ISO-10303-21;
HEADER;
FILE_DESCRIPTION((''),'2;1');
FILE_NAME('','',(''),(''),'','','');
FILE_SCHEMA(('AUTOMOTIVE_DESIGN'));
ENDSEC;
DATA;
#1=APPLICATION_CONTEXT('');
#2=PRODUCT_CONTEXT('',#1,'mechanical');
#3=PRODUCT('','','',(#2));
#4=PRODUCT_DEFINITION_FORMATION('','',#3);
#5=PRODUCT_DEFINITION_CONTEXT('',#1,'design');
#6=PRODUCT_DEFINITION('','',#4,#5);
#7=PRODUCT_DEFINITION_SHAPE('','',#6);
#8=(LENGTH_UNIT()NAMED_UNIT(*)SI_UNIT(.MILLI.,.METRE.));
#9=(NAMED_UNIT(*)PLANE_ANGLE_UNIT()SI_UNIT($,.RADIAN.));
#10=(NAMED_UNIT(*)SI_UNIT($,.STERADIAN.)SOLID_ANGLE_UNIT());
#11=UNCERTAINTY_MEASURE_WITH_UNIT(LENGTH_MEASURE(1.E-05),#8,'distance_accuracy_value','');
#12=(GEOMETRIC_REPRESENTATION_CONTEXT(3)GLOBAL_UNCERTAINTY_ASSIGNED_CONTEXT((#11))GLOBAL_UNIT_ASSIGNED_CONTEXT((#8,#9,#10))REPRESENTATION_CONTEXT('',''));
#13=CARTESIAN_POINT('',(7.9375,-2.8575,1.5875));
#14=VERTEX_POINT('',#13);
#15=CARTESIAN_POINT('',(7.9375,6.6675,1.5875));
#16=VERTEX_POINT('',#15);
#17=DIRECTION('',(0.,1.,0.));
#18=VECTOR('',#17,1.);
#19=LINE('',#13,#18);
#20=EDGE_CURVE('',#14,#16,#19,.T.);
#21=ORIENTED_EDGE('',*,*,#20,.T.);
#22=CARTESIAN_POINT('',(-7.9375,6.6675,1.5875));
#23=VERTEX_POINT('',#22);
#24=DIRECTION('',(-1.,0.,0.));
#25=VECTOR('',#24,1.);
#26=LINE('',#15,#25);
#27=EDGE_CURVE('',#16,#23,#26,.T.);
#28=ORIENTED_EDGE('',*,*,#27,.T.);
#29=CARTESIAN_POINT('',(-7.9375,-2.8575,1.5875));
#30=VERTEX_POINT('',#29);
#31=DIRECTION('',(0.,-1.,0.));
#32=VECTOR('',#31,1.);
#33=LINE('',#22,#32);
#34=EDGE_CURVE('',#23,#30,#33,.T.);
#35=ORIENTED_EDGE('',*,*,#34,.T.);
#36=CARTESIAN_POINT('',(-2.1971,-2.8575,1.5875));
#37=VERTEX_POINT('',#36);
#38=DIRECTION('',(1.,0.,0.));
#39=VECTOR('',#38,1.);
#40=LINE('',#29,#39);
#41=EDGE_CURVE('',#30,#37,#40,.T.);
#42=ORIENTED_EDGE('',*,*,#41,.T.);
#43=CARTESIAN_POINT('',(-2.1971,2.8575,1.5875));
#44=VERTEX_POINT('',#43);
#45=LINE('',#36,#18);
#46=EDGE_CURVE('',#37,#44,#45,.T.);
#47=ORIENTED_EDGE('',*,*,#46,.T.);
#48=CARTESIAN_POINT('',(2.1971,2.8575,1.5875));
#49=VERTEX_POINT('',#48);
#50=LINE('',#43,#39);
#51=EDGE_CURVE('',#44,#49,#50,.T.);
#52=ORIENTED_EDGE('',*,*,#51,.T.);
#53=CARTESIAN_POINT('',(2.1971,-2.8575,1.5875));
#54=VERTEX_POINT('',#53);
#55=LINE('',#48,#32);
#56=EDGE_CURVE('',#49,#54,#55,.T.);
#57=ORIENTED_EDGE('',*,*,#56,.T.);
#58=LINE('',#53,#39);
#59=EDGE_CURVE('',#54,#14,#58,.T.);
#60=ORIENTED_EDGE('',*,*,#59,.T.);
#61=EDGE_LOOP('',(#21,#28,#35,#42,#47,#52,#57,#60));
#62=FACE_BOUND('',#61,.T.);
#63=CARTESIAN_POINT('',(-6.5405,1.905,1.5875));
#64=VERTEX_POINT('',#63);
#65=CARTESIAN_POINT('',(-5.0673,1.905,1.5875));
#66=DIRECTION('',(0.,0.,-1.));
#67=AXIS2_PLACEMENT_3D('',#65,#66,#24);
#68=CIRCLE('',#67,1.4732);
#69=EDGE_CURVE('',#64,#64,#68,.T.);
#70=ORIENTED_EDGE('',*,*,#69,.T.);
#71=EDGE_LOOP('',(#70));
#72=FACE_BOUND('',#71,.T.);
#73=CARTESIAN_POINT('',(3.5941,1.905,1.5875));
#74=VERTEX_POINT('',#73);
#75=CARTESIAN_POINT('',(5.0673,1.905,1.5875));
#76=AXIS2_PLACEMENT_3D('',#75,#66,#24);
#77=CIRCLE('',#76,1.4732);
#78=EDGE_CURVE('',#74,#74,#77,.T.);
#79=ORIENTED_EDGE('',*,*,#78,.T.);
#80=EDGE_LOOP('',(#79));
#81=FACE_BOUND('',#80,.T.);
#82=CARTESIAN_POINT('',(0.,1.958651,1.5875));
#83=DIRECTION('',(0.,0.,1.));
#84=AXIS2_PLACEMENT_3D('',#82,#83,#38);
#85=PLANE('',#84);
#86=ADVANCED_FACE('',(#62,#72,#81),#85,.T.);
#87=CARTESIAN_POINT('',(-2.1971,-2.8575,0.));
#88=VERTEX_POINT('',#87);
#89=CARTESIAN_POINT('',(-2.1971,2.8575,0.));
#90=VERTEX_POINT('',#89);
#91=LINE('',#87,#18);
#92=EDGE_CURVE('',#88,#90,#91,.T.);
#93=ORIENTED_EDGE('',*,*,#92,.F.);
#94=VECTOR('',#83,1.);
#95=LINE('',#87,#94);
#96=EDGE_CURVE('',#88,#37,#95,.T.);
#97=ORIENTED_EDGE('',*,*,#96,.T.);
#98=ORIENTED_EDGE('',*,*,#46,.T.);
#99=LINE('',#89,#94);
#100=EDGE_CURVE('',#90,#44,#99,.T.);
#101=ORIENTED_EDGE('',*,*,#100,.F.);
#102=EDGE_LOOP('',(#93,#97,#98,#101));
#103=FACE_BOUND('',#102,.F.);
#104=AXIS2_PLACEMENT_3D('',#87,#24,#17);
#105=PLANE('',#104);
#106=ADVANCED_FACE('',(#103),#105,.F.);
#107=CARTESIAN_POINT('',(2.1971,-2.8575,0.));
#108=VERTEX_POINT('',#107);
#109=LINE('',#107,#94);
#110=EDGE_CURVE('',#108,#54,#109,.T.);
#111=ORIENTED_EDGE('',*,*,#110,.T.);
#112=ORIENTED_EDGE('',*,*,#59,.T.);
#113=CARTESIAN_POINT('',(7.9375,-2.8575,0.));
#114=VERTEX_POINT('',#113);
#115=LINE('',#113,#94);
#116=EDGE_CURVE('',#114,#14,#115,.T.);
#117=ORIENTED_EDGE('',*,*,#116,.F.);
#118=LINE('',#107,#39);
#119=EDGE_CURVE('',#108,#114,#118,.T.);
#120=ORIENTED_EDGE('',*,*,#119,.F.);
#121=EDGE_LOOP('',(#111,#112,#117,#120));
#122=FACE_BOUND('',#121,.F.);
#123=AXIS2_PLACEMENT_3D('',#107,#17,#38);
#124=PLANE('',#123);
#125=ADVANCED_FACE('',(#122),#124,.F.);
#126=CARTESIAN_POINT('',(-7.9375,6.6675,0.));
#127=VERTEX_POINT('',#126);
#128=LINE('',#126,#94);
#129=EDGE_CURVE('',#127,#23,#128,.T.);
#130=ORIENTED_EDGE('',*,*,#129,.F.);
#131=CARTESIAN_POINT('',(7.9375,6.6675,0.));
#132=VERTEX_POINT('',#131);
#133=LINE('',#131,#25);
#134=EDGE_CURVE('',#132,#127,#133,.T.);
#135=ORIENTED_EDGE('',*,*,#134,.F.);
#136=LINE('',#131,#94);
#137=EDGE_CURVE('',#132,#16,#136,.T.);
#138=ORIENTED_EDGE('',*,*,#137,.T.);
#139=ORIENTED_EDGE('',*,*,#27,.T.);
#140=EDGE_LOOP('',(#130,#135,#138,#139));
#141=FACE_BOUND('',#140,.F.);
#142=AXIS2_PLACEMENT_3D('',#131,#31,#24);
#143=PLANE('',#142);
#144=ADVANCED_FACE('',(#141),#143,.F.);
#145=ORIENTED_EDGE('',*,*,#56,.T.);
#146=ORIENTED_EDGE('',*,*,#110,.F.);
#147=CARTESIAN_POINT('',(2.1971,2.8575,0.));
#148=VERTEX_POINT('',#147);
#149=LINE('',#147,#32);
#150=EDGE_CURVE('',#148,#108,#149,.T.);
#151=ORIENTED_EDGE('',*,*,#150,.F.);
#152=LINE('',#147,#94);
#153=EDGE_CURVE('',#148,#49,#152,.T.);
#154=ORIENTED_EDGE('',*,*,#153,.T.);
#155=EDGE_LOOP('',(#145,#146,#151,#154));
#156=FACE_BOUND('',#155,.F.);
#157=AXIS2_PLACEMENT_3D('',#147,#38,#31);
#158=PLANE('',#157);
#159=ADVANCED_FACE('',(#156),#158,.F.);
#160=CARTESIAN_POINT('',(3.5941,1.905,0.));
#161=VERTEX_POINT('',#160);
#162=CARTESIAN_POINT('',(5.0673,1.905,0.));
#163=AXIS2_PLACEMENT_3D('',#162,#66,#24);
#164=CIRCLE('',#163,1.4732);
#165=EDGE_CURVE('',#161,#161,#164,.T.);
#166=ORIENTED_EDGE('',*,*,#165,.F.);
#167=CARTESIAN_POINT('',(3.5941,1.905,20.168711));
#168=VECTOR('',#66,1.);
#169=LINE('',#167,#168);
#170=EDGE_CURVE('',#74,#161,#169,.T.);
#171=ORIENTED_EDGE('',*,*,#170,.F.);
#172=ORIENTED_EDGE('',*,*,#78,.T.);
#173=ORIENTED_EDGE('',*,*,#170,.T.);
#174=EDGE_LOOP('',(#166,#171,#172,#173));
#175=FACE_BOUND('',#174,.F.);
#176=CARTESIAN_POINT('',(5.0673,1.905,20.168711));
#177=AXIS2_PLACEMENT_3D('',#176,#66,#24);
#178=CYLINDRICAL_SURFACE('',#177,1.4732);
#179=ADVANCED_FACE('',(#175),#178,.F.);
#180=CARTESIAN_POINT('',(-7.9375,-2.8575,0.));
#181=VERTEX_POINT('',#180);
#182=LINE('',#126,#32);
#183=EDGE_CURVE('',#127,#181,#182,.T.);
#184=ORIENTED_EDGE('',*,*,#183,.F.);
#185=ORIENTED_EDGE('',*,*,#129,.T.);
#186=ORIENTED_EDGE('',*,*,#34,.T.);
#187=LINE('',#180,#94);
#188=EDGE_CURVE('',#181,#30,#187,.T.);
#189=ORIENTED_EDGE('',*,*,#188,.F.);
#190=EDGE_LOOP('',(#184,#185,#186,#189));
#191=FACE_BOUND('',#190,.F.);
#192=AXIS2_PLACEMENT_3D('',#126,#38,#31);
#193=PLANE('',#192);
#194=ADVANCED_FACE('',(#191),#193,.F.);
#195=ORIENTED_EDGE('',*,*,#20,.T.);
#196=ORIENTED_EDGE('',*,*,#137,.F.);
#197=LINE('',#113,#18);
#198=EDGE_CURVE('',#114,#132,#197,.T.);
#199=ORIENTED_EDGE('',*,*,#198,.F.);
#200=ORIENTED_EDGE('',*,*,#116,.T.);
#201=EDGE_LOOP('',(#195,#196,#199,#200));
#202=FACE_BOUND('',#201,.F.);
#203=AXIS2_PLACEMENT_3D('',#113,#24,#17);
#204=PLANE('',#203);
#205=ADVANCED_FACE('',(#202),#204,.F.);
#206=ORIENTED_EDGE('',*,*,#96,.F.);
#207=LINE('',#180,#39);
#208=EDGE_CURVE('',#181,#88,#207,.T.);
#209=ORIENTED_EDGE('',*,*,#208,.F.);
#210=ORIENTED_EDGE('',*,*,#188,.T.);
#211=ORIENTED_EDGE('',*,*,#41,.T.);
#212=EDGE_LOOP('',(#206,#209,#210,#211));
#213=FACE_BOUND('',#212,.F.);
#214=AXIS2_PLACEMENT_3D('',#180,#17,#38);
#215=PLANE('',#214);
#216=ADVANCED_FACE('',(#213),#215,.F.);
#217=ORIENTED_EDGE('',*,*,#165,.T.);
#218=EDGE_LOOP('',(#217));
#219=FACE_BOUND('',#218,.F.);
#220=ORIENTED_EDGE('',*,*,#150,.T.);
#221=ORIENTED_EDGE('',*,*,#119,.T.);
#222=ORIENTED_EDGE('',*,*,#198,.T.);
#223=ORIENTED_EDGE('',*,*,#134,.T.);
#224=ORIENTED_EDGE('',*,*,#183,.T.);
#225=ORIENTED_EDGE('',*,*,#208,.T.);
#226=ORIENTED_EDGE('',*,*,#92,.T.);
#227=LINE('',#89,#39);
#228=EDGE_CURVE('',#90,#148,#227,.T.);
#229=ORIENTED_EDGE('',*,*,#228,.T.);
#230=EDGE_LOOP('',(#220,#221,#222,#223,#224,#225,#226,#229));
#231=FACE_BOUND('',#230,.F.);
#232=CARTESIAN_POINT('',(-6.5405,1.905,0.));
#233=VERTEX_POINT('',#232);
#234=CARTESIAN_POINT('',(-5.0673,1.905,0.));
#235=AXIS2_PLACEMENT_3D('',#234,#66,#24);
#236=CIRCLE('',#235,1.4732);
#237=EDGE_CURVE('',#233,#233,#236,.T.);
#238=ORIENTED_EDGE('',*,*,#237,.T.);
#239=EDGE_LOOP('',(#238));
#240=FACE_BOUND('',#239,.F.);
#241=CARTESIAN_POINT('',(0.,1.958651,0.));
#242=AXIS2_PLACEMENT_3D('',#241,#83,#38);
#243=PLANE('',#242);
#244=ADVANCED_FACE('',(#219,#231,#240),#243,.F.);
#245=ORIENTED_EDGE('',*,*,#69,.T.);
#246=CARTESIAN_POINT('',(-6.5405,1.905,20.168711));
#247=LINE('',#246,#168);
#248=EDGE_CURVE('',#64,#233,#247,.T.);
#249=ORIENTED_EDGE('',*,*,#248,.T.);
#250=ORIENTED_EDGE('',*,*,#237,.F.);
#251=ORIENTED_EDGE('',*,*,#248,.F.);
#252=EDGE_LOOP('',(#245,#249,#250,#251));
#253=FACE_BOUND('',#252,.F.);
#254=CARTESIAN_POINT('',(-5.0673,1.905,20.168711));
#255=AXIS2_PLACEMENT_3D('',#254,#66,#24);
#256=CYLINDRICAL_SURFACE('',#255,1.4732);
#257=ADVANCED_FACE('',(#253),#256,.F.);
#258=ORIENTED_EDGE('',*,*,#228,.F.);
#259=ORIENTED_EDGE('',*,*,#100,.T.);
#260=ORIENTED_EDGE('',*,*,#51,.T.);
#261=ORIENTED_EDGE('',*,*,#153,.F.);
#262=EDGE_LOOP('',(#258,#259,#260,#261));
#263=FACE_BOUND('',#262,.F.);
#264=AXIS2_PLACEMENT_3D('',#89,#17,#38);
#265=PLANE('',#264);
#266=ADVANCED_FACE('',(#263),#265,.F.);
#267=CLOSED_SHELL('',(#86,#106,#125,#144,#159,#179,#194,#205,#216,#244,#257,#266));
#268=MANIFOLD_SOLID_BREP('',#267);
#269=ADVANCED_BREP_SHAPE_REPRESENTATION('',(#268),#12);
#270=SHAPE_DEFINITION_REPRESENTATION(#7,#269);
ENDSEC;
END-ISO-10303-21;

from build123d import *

# Parameters (mm, degrees)
BOSS_EXTRUDE1_DEPTH   = 1.5875
F_4_CLEARANCE_HOLE1_D = 2.9464


with BuildPart() as part:
    # Sketch2 → Boss-Extrude1 (new body)
    with BuildSketch(Plane.XY):
        Polygon((-2.1971, 2.8575), (2.1971, 2.8575), (2.1971, -2.8575), (7.9375, -2.8575), (7.9375, 6.6675), (-7.9375, 6.6675), (-7.9375, -2.8575), (-2.1971, -2.8575), align=None)
    extrude(amount=BOSS_EXTRUDE1_DEPTH)

    # #4 Clearance Hole1 (through all)
    with Locations(Plane.XY.offset(1.5875)):
        with Locations((-5.0673, 1.905), (5.0673, 1.905)):
            Hole(F_4_CLEARANCE_HOLE1_D / 2)


solid = part.part
